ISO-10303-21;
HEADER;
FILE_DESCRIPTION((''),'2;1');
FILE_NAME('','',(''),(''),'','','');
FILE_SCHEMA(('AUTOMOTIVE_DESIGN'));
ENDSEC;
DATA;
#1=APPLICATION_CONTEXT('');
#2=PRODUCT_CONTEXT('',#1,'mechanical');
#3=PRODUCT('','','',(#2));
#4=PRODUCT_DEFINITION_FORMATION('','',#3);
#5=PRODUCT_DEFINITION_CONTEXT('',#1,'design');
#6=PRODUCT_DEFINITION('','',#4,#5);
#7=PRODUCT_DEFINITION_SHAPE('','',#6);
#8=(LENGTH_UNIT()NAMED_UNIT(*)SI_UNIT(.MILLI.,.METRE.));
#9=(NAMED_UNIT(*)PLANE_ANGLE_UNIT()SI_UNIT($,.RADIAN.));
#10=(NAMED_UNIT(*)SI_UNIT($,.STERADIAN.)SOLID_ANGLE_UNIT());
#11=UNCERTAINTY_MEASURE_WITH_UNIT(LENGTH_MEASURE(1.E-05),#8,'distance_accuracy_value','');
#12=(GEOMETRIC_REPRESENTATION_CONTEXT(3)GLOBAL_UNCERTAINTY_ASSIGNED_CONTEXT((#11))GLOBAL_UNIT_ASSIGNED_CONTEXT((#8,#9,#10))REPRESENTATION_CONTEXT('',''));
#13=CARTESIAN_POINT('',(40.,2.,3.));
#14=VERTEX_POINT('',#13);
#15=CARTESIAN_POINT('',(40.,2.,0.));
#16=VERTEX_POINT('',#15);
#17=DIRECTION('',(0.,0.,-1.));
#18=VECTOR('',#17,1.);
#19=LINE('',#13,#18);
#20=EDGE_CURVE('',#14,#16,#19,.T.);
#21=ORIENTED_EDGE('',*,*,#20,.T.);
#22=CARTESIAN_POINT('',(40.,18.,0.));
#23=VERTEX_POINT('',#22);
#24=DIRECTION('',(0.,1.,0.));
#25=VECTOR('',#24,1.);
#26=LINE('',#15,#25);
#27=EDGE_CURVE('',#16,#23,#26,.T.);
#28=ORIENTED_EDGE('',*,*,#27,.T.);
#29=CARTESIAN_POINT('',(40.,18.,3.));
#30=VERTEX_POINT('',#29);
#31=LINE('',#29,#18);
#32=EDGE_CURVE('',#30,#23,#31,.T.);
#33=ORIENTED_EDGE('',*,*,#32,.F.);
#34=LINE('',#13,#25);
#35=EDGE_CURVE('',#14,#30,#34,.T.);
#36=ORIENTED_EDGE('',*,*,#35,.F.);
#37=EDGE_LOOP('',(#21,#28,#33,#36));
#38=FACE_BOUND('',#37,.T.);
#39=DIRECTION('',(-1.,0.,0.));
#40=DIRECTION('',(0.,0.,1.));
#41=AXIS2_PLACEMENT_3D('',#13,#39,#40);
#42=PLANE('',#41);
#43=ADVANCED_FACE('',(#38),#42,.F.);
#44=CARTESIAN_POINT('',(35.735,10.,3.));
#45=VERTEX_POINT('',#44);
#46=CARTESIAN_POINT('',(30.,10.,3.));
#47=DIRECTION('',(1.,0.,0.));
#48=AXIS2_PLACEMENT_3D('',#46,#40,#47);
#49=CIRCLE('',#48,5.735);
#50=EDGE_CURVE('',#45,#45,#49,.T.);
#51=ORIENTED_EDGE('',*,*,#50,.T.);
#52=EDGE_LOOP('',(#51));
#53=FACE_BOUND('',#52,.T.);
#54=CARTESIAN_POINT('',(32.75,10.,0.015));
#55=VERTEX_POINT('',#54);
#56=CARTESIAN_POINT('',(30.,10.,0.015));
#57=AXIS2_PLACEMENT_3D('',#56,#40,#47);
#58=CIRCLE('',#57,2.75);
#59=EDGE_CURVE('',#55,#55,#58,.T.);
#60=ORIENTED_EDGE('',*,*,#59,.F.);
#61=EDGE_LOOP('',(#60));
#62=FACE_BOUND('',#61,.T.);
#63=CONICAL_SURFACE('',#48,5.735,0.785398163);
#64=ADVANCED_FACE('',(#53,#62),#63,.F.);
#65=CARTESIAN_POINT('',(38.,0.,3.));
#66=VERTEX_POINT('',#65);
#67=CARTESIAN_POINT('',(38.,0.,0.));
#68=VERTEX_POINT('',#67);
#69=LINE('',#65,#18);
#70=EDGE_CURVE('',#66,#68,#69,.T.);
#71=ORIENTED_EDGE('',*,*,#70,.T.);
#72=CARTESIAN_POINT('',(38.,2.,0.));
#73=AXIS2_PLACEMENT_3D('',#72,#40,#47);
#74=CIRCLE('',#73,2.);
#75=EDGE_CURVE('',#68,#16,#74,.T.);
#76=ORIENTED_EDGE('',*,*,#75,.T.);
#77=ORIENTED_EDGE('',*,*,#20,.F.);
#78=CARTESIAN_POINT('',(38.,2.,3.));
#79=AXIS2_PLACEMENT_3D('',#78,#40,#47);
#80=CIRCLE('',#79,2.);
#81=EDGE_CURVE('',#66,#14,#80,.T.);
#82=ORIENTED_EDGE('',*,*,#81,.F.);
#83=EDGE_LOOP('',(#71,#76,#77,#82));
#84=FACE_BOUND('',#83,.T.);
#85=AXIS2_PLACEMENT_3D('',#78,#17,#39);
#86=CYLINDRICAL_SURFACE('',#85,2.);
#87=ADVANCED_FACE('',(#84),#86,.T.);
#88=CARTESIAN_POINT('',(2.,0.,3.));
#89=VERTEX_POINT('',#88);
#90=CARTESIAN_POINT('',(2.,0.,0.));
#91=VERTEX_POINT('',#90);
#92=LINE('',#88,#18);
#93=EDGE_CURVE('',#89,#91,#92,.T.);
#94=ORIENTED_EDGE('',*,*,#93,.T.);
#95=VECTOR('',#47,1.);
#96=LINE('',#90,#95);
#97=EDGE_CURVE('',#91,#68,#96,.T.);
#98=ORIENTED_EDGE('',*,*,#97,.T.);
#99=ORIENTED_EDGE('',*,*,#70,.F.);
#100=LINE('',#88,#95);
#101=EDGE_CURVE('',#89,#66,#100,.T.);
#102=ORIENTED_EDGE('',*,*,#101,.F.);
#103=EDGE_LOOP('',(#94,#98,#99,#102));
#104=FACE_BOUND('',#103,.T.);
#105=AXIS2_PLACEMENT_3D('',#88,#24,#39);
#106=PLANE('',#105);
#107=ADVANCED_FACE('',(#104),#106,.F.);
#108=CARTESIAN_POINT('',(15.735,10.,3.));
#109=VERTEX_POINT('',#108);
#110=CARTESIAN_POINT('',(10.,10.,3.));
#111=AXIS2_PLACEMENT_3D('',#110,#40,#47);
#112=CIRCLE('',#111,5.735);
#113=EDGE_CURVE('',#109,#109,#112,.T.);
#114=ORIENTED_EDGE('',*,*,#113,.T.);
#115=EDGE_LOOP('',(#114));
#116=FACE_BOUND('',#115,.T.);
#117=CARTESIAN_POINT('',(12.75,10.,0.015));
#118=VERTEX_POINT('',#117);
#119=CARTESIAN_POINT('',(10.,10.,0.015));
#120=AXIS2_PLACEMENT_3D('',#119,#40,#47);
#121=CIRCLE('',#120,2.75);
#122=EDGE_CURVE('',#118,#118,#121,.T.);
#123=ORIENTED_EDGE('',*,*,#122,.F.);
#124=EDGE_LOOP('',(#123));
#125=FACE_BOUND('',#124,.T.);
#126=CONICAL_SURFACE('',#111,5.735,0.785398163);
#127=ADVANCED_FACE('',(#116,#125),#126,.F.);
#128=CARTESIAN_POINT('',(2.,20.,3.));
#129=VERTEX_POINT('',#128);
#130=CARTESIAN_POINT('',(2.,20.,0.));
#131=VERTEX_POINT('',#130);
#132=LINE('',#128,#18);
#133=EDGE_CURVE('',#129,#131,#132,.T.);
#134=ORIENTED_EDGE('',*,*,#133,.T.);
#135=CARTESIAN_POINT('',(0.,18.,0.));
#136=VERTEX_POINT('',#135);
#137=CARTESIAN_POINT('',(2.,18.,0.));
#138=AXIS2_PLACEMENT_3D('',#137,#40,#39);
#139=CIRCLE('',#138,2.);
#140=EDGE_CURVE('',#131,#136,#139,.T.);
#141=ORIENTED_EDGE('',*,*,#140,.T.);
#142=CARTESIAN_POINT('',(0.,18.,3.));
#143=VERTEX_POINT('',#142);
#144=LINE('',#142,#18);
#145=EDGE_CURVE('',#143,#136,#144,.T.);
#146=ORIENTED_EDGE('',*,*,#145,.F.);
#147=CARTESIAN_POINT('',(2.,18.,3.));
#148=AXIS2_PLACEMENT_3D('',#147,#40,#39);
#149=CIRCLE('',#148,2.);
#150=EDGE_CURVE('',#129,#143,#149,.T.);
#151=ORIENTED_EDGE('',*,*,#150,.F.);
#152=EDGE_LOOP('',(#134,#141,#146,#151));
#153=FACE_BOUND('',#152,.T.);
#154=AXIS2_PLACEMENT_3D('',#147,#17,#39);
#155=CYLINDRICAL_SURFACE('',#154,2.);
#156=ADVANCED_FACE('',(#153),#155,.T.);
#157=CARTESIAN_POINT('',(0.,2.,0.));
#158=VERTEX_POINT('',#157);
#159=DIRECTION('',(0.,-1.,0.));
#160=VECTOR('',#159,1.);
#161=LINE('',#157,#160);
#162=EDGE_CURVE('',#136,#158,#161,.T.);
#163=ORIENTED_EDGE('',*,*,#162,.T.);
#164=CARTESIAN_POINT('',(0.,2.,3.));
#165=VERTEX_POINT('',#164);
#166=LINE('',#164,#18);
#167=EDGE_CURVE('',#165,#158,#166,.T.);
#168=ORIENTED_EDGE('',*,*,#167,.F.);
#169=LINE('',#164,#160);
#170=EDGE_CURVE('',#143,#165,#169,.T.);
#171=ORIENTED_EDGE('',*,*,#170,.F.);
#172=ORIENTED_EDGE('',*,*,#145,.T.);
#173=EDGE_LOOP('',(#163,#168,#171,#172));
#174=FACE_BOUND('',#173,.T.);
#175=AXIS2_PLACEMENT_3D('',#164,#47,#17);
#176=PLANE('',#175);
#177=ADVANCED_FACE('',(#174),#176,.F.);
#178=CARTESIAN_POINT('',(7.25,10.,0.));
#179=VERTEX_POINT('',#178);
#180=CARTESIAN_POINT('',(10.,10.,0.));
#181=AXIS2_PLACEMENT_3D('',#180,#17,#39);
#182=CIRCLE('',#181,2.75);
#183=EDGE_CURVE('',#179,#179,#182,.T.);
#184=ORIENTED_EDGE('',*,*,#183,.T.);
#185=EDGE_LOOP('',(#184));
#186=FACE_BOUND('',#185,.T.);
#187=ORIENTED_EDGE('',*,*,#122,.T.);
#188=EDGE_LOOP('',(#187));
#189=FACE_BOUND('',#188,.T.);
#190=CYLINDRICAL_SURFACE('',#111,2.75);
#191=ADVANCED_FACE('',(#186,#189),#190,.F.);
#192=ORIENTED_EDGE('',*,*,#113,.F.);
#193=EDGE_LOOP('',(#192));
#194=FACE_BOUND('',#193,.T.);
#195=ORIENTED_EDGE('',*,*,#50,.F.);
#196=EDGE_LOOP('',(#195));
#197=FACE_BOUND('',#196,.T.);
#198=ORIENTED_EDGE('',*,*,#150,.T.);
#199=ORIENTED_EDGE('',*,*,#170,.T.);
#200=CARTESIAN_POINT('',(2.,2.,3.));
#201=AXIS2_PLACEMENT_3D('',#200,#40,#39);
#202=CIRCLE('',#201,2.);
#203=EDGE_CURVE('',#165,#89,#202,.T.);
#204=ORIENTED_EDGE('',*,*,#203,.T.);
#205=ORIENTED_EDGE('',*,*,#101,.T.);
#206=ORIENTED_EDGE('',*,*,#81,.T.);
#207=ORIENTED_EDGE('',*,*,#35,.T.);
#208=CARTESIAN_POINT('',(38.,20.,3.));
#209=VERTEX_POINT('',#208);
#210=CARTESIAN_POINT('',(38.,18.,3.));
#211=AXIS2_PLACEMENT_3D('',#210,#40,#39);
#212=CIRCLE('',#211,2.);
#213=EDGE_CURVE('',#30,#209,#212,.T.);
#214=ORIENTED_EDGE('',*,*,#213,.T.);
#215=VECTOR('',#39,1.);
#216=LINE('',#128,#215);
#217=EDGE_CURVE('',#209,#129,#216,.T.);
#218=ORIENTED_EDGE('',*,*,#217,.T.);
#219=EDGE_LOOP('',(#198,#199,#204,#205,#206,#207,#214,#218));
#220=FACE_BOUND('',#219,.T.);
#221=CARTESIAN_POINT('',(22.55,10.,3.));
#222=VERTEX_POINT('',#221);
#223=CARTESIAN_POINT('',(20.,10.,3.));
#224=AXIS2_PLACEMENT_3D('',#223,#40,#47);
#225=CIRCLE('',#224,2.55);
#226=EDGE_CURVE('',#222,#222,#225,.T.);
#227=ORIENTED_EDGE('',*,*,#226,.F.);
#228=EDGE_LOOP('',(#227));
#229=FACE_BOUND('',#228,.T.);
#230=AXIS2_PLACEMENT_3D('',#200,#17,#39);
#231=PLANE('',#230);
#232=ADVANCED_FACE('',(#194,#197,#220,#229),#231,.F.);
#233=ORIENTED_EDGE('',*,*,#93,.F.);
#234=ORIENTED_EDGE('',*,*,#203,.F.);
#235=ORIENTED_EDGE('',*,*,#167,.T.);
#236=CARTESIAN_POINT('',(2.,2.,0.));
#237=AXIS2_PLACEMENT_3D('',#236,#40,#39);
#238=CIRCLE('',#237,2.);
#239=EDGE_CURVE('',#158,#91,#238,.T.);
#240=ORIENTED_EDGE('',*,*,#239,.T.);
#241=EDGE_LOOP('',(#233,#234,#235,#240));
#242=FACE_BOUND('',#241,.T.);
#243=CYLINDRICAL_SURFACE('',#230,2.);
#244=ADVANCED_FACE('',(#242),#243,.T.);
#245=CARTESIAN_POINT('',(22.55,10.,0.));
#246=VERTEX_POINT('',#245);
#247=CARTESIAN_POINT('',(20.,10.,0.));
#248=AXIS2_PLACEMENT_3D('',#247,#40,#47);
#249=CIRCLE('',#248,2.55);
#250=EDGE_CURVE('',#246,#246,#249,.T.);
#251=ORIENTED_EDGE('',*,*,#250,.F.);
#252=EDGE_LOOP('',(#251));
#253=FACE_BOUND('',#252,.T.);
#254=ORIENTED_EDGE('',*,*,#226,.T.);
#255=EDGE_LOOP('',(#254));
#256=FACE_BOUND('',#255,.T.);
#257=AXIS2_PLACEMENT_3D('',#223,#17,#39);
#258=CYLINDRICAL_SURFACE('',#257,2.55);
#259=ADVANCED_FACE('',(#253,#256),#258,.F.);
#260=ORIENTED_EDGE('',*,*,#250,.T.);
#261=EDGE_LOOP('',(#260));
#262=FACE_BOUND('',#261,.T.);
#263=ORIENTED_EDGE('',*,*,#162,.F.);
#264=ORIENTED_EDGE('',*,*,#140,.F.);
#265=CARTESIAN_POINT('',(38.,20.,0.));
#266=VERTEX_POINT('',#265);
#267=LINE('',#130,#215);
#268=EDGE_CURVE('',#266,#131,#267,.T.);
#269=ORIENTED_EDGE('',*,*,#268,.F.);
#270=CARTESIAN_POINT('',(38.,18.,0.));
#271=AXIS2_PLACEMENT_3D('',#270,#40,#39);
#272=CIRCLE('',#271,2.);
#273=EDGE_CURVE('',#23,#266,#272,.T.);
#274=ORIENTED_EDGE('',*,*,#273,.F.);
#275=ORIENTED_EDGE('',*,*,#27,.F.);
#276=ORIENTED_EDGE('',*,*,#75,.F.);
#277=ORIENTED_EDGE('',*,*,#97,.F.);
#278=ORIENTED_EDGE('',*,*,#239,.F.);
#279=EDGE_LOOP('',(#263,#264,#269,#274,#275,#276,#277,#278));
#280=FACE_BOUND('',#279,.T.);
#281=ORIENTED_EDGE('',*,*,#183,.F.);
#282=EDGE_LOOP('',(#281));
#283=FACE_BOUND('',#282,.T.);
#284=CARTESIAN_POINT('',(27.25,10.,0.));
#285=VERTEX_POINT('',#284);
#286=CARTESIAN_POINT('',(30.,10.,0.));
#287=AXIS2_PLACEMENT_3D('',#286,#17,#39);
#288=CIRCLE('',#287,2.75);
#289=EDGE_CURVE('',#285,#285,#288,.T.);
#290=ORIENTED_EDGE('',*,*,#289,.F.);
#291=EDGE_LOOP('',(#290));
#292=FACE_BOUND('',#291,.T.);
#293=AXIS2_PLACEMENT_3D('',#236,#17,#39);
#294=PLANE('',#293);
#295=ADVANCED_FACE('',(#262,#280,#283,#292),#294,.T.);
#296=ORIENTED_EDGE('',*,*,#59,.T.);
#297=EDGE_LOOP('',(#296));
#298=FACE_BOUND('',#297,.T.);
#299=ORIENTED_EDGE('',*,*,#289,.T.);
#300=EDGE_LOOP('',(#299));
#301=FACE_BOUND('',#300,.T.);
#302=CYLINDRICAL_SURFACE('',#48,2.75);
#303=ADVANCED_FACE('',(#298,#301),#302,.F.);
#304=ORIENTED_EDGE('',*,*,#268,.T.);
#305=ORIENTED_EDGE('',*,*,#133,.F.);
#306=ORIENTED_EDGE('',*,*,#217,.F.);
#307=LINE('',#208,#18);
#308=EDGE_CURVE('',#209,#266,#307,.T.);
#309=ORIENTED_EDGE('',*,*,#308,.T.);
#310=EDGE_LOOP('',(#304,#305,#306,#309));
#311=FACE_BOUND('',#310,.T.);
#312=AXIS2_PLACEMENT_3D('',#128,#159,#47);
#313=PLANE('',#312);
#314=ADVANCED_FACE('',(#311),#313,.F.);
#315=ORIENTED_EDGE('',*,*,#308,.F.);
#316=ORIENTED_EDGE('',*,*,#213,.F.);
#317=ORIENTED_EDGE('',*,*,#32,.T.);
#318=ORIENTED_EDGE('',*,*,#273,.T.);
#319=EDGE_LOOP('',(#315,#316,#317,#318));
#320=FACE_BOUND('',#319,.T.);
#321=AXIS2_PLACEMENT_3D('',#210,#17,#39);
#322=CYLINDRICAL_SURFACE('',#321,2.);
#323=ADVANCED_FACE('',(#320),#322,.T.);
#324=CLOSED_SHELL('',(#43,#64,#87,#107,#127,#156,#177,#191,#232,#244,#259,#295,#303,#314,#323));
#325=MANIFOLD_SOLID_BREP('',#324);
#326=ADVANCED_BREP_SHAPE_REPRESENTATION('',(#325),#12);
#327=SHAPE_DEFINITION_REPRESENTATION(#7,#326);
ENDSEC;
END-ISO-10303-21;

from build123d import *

# Parameters (mm, degrees)
CROQUIS1_R                                           = 2.55
SALIENTE_EXTRUIR1_DEPTH                              = 3
AVELLANADO_PARA_TORNILLO_CON_CABEZA_AVEL_D           = 5.5
AVELLANADO_PARA_TORNILLO_CON_CABEZA_AVEL_DEPTH       = 5
AVELLANADO_PARA_TORNILLO_CON_CABEZA_AVEL_CSINK_D     = 11.47
AVELLANADO_PARA_TORNILLO_CON_CABEZA_AVEL_CSINK_ANGLE = 90
AVELLANADO_PARA_TORNILLO_CON_CABEZA_AVEL_TIP         = 1.652366702


with BuildPart() as part:
    # Croquis1 → Saliente-Extruir1 (new body)
    with BuildSketch(Plane.XY):
        with BuildLine():
            Line((2, 0), (38, 0))
            ThreePointArc((38, 0), (39.414213562, 0.585786438), (40, 2))
            Line((40, 2), (40, 18))
            ThreePointArc((40, 18), (39.414213562, 19.414213562), (38, 20))
            Line((38, 20), (2, 20))
            ThreePointArc((2, 20), (0.585786438, 19.414213562), (0, 18))
            Line((0, 18), (0, 2))
            ThreePointArc((0, 2), (0.585786438, 0.585786438), (2, 0))
        make_face()
        with Locations((10, 10)):
            Circle(CROQUIS1_R, mode=Mode.SUBTRACT)
        with Locations((20, 10)):
            Circle(CROQUIS1_R, mode=Mode.SUBTRACT)
        with Locations((30, 10)):
            Circle(CROQUIS1_R, mode=Mode.SUBTRACT)
    extrude(amount=SALIENTE_EXTRUIR1_DEPTH)

    # Avellanado para tornillo con cabeza avellanada de clavija hexagonal de M51
    with Locations(Plane.XY.offset(3)):
        with Locations((10, 10), (30, 10)):
            CounterSinkHole(AVELLANADO_PARA_TORNILLO_CON_CABEZA_AVEL_D / 2, AVELLANADO_PARA_TORNILLO_CON_CABEZA_AVEL_CSINK_D / 2, depth=AVELLANADO_PARA_TORNILLO_CON_CABEZA_AVEL_DEPTH, counter_sink_angle=AVELLANADO_PARA_TORNILLO_CON_CABEZA_AVEL_CSINK_ANGLE)
            with Locations((0, 0, -(AVELLANADO_PARA_TORNILLO_CON_CABEZA_AVEL_DEPTH + AVELLANADO_PARA_TORNILLO_CON_CABEZA_AVEL_TIP / 2))):  # 118° drill point
                Cone(0, AVELLANADO_PARA_TORNILLO_CON_CABEZA_AVEL_D / 2, AVELLANADO_PARA_TORNILLO_CON_CABEZA_AVEL_TIP, mode=Mode.SUBTRACT)


solid = part.part
